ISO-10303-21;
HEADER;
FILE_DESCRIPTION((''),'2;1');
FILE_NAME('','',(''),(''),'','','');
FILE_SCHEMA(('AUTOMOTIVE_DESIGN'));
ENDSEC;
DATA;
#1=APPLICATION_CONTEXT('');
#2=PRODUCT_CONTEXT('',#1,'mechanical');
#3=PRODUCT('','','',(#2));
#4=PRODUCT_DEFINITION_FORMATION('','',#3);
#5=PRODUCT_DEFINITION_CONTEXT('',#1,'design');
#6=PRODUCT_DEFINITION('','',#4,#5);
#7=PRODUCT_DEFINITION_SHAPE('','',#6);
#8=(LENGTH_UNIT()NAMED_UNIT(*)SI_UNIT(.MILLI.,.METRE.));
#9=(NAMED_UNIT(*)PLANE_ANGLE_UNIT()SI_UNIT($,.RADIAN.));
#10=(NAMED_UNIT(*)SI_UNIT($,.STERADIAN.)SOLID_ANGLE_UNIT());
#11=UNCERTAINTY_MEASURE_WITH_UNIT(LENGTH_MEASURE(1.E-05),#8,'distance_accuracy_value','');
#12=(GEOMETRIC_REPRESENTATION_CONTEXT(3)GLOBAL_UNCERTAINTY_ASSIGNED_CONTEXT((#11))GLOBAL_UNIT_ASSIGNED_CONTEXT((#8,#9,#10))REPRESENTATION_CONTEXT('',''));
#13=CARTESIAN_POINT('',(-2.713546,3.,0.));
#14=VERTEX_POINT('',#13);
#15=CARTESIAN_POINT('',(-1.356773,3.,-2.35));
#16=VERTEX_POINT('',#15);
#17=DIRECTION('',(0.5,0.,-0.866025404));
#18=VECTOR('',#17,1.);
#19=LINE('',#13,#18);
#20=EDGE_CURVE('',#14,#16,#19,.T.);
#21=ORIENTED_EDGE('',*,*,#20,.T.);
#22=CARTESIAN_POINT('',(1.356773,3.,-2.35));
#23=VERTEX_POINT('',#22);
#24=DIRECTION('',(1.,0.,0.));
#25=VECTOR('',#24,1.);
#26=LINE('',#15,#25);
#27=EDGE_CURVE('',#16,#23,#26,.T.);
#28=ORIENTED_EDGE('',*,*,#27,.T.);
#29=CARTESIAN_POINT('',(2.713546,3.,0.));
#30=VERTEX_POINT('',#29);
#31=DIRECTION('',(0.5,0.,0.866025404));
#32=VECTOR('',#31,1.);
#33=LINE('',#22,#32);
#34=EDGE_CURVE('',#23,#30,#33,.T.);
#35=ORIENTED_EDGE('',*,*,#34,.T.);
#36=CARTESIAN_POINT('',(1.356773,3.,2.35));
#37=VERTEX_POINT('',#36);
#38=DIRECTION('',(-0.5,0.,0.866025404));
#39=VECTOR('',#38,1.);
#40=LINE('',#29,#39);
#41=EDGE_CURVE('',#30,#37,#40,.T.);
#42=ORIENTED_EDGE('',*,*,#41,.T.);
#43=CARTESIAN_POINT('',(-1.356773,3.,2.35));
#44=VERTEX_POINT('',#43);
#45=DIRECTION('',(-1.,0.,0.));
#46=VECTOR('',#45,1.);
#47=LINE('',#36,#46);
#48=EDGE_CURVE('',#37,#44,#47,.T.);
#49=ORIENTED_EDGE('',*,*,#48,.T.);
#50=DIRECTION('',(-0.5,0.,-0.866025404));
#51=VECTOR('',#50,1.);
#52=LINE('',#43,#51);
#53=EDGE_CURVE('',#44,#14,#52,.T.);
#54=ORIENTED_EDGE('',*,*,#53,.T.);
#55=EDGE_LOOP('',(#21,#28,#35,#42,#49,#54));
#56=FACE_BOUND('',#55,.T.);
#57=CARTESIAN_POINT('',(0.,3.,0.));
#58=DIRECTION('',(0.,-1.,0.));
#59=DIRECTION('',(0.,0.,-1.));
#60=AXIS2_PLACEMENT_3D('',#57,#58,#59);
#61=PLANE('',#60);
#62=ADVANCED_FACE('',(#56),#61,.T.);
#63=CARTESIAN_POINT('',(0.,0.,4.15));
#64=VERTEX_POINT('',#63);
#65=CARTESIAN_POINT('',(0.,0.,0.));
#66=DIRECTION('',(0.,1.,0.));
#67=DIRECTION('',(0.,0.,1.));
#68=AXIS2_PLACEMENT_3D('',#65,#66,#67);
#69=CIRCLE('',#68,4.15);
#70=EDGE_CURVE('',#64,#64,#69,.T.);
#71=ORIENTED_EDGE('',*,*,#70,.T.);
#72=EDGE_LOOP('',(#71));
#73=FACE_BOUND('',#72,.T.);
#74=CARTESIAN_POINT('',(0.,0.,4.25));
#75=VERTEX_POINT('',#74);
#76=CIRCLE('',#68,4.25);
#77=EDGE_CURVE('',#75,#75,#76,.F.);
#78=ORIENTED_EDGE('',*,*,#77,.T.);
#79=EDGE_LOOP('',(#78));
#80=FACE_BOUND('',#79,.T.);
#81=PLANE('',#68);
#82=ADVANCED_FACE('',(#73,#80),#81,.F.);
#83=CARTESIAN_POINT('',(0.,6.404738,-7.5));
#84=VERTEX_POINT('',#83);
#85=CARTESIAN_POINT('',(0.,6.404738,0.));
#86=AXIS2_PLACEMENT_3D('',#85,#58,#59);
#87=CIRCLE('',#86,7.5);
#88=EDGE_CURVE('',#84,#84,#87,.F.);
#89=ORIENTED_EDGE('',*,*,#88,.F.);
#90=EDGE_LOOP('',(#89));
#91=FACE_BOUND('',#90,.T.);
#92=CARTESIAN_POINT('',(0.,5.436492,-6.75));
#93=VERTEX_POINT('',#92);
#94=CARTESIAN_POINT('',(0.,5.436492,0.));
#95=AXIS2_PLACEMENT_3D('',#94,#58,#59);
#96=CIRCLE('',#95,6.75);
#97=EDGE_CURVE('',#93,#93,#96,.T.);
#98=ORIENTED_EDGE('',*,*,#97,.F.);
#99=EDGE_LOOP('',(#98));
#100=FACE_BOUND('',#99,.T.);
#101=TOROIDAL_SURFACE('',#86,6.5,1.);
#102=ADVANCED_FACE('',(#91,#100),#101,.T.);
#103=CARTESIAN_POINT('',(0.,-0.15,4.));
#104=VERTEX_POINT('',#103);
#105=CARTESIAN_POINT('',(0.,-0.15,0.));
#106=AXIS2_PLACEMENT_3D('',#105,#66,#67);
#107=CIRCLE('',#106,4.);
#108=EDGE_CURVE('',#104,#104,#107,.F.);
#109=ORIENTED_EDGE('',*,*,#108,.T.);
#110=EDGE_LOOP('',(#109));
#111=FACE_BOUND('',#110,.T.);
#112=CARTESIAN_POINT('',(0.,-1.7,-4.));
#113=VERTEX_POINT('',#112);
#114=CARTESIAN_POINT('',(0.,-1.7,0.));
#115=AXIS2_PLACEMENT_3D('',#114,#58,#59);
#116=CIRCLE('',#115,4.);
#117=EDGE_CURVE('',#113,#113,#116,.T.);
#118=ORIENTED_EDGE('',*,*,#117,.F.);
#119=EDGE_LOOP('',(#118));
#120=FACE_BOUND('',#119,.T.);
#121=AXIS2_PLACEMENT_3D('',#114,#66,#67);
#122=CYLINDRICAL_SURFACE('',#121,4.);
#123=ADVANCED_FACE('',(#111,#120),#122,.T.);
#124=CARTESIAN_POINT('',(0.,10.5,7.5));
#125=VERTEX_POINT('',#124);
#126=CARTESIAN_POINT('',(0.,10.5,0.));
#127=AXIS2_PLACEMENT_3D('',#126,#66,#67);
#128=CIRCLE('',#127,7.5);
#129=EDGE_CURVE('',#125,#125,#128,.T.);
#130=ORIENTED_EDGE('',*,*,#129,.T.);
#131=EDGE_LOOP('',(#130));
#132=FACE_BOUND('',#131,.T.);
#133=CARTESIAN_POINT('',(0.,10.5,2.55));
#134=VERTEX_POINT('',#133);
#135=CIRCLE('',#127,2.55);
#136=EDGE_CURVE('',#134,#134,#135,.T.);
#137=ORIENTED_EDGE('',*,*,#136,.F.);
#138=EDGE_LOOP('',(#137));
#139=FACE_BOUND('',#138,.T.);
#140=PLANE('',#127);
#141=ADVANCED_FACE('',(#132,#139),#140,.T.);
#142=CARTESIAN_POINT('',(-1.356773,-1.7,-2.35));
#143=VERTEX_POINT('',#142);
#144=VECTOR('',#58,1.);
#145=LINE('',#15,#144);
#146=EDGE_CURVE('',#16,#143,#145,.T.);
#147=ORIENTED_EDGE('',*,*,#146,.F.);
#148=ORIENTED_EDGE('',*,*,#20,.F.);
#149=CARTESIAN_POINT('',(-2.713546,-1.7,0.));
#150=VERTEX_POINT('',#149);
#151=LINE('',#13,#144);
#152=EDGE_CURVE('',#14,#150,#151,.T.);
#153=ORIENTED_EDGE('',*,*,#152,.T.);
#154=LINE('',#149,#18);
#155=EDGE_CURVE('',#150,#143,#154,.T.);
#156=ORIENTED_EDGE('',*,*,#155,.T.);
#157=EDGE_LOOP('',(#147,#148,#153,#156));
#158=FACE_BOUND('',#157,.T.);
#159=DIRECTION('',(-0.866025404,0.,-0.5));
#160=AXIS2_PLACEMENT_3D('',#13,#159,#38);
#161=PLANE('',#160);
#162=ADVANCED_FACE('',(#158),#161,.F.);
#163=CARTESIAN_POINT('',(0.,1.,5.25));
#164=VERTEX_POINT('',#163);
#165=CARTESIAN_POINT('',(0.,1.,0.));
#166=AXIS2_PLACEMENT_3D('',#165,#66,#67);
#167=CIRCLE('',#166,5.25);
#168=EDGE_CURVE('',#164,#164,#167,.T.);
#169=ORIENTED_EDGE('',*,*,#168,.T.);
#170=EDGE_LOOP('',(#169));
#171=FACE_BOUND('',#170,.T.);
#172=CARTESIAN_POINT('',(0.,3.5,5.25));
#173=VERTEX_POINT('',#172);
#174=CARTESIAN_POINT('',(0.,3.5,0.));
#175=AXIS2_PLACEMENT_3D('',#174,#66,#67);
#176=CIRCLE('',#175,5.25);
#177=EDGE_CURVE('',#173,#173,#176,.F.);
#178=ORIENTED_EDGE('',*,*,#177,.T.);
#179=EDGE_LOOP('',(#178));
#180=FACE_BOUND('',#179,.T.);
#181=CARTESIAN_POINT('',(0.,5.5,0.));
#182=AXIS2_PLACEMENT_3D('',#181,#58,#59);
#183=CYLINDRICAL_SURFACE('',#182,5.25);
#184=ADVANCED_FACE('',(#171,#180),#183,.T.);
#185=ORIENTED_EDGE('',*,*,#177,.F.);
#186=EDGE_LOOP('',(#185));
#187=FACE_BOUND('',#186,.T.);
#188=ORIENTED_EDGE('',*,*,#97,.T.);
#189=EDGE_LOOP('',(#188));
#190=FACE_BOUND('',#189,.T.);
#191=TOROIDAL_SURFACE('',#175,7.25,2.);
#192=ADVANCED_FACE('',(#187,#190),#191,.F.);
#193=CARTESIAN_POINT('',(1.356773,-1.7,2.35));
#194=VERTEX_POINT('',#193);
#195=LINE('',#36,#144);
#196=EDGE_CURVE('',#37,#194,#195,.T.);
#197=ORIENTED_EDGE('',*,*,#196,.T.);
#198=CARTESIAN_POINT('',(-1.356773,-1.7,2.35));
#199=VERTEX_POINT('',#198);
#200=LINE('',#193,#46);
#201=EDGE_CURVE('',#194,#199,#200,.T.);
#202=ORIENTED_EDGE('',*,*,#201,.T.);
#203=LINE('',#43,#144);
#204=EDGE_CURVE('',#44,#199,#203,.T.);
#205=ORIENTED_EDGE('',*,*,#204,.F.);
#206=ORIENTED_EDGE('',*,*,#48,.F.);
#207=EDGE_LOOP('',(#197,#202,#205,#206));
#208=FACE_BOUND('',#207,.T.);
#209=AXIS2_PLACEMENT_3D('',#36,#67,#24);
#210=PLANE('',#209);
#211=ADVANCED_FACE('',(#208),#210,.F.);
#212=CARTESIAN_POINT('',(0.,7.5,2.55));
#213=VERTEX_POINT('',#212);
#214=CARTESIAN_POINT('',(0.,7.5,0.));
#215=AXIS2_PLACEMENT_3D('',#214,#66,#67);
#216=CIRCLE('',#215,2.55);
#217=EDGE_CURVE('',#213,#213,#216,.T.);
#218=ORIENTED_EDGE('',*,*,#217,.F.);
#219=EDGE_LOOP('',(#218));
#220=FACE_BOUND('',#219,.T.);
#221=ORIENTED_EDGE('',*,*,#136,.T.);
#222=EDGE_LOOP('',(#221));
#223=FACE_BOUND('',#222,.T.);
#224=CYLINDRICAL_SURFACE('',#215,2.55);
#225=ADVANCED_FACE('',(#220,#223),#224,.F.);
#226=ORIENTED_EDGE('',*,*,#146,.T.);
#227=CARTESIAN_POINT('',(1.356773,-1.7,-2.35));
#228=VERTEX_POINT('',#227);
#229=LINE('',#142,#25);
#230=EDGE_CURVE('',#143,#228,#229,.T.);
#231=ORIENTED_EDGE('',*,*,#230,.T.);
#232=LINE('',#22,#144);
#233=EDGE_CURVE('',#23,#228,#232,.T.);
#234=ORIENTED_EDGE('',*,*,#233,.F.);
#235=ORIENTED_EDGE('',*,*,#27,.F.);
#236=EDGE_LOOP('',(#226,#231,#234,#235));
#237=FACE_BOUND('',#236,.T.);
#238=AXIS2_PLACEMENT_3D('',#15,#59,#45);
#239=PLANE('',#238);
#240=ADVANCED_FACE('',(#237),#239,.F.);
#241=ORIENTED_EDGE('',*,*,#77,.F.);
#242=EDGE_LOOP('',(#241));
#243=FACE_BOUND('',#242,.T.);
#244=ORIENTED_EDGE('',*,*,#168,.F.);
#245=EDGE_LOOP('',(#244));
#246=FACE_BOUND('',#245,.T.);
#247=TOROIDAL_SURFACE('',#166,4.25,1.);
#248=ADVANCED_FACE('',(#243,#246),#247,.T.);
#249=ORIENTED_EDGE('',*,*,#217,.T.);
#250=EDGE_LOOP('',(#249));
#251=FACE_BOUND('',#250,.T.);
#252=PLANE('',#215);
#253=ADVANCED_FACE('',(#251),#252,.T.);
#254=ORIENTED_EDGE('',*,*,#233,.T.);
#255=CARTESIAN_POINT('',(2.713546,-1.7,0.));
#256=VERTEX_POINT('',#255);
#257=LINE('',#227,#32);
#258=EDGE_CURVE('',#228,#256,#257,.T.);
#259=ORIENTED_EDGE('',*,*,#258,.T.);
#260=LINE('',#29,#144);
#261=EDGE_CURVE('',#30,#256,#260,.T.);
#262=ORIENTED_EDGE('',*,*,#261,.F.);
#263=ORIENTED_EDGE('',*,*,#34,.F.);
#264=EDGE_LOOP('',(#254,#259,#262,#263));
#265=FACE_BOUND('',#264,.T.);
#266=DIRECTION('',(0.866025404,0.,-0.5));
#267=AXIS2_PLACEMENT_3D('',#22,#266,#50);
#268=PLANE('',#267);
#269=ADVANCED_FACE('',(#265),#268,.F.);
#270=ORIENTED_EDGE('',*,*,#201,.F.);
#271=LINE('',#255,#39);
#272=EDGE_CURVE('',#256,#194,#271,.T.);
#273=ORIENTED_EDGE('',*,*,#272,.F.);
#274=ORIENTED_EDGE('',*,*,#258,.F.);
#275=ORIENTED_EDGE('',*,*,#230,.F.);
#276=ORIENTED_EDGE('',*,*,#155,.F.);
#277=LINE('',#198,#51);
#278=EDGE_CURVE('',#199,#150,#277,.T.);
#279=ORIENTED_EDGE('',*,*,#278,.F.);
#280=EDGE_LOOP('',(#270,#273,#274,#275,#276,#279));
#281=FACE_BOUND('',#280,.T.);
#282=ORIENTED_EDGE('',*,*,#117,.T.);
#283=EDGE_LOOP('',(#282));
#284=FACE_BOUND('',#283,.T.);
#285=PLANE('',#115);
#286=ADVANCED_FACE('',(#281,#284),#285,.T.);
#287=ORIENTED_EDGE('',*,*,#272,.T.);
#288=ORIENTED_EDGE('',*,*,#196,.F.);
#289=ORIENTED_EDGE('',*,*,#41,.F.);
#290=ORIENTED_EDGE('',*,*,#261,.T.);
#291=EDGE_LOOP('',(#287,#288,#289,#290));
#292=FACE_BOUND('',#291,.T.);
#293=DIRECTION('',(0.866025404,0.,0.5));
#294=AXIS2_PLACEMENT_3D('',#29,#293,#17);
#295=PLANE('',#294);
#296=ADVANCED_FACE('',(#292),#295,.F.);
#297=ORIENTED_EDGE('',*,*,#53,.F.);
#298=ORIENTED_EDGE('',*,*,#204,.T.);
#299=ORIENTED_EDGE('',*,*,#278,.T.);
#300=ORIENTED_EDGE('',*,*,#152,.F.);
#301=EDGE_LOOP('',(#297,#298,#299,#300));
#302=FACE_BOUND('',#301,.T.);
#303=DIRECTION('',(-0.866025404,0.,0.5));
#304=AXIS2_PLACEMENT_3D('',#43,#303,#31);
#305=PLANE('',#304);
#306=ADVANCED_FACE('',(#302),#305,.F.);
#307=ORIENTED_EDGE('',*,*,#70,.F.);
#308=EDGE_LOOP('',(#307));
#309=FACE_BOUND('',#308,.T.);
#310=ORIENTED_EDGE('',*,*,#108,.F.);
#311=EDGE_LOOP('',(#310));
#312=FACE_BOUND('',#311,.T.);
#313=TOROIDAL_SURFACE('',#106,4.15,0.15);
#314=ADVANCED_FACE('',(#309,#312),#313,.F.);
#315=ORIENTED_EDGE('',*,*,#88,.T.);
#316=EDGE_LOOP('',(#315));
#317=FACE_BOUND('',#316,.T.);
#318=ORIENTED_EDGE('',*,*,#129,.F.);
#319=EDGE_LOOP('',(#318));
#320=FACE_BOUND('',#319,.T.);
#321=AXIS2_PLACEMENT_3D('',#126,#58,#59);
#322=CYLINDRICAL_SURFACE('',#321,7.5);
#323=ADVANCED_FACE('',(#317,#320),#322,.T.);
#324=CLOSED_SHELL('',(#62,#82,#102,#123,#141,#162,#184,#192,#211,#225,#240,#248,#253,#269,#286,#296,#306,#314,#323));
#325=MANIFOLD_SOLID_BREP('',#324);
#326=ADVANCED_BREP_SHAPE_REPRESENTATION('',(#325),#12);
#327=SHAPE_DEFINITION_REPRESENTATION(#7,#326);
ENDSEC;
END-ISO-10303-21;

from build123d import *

# Parameters (mm, degrees)
SKETCH1_R           = 5.25
BOSS_EXTRUDE1_DEPTH = 5.5
SKETCH2_R           = 4
BOSS_EXTRUDE2_DEPTH = 1.7
FILLET1_R           = 0.15
SKETCH3_R           = 7.5
BOSS_EXTRUDE3_DEPTH = 5
SKETCH4_R           = 2.55
CUT_EXTRUDE1_DEPTH  = 3
CUT_EXTRUDE2_DEPTH  = 4.7
FILLET2_R           = 2
FILLET3_R           = 1
FILLET4_R           = 1


with BuildPart() as part:
    # Sketch1 → Boss-Extrude1 (new body)
    with BuildSketch(Plane(origin=(0, 0, 0), x_dir=(1, 0, 0), z_dir=(0, 1, 0))):
        with Locations(Location((0, 0, 0), (0, 0, 270))):
            Circle(SKETCH1_R)
    extrude(amount=BOSS_EXTRUDE1_DEPTH)

    # Sketch2 → Boss-Extrude2 (add)
    with BuildSketch(Plane.XZ):
        with Locations(Location((0, 0, 0), (0, 0, 270))):
            Circle(SKETCH2_R)
    extrude(amount=BOSS_EXTRUDE2_DEPTH)

    # Fillet1
    fillet1_edges = [part.edges().sort_by_distance(p)[0] for p in [
        (0, 0, 4),
    ]]
    fillet(fillet1_edges, radius=FILLET1_R)

    # Sketch3 → Boss-Extrude3 (add)
    with BuildSketch(Plane(origin=(0, 5.5, 0), x_dir=(1, 0, 0), z_dir=(0, 1, 0))):
        with Locations(Location((0, 0, 0), (0, 0, 270))):
            Circle(SKETCH3_R)
    extrude(amount=BOSS_EXTRUDE3_DEPTH)

    # Sketch4 → Cut-Extrude1 (cut)
    with BuildSketch(Plane(origin=(0, 10.5, 0), x_dir=(1, 0, 0), z_dir=(0, 1, 0))):
        with Locations(Location((0, 0, 0), (0, 0, 270))):
            Circle(SKETCH4_R)
    extrude(amount=-CUT_EXTRUDE1_DEPTH, mode=Mode.SUBTRACT)

    # Sketch5 → Cut-Extrude2 (cut)
    with BuildSketch(Plane.XZ.offset(1.7)):
        Polygon((2.713546265, 0), (1.356773133, 2.35), (-1.356773133, 2.35), (-2.713546265, 0), (-1.356773133, -2.35), (1.356773133, -2.35), align=None)
    extrude(amount=-CUT_EXTRUDE2_DEPTH, mode=Mode.SUBTRACT)

    # Fillet2
    fillet2_edges = [part.edges().sort_by_distance(p)[0] for p in [
        (0, 5.5, -5.25),
    ]]
    fillet(fillet2_edges, radius=FILLET2_R)

    # Fillet3
    fillet3_edges = [part.edges().sort_by_distance(p)[0] for p in [
        (0, 0, -5.25),
    ]]
    fillet(fillet3_edges, radius=FILLET3_R)

    # Fillet4
    fillet4_edges = [part.edges().sort_by_distance(p)[0] for p in [
        (0, 5.5, -7.5),
    ]]
    fillet(fillet4_edges, radius=FILLET4_R)


solid = part.part
